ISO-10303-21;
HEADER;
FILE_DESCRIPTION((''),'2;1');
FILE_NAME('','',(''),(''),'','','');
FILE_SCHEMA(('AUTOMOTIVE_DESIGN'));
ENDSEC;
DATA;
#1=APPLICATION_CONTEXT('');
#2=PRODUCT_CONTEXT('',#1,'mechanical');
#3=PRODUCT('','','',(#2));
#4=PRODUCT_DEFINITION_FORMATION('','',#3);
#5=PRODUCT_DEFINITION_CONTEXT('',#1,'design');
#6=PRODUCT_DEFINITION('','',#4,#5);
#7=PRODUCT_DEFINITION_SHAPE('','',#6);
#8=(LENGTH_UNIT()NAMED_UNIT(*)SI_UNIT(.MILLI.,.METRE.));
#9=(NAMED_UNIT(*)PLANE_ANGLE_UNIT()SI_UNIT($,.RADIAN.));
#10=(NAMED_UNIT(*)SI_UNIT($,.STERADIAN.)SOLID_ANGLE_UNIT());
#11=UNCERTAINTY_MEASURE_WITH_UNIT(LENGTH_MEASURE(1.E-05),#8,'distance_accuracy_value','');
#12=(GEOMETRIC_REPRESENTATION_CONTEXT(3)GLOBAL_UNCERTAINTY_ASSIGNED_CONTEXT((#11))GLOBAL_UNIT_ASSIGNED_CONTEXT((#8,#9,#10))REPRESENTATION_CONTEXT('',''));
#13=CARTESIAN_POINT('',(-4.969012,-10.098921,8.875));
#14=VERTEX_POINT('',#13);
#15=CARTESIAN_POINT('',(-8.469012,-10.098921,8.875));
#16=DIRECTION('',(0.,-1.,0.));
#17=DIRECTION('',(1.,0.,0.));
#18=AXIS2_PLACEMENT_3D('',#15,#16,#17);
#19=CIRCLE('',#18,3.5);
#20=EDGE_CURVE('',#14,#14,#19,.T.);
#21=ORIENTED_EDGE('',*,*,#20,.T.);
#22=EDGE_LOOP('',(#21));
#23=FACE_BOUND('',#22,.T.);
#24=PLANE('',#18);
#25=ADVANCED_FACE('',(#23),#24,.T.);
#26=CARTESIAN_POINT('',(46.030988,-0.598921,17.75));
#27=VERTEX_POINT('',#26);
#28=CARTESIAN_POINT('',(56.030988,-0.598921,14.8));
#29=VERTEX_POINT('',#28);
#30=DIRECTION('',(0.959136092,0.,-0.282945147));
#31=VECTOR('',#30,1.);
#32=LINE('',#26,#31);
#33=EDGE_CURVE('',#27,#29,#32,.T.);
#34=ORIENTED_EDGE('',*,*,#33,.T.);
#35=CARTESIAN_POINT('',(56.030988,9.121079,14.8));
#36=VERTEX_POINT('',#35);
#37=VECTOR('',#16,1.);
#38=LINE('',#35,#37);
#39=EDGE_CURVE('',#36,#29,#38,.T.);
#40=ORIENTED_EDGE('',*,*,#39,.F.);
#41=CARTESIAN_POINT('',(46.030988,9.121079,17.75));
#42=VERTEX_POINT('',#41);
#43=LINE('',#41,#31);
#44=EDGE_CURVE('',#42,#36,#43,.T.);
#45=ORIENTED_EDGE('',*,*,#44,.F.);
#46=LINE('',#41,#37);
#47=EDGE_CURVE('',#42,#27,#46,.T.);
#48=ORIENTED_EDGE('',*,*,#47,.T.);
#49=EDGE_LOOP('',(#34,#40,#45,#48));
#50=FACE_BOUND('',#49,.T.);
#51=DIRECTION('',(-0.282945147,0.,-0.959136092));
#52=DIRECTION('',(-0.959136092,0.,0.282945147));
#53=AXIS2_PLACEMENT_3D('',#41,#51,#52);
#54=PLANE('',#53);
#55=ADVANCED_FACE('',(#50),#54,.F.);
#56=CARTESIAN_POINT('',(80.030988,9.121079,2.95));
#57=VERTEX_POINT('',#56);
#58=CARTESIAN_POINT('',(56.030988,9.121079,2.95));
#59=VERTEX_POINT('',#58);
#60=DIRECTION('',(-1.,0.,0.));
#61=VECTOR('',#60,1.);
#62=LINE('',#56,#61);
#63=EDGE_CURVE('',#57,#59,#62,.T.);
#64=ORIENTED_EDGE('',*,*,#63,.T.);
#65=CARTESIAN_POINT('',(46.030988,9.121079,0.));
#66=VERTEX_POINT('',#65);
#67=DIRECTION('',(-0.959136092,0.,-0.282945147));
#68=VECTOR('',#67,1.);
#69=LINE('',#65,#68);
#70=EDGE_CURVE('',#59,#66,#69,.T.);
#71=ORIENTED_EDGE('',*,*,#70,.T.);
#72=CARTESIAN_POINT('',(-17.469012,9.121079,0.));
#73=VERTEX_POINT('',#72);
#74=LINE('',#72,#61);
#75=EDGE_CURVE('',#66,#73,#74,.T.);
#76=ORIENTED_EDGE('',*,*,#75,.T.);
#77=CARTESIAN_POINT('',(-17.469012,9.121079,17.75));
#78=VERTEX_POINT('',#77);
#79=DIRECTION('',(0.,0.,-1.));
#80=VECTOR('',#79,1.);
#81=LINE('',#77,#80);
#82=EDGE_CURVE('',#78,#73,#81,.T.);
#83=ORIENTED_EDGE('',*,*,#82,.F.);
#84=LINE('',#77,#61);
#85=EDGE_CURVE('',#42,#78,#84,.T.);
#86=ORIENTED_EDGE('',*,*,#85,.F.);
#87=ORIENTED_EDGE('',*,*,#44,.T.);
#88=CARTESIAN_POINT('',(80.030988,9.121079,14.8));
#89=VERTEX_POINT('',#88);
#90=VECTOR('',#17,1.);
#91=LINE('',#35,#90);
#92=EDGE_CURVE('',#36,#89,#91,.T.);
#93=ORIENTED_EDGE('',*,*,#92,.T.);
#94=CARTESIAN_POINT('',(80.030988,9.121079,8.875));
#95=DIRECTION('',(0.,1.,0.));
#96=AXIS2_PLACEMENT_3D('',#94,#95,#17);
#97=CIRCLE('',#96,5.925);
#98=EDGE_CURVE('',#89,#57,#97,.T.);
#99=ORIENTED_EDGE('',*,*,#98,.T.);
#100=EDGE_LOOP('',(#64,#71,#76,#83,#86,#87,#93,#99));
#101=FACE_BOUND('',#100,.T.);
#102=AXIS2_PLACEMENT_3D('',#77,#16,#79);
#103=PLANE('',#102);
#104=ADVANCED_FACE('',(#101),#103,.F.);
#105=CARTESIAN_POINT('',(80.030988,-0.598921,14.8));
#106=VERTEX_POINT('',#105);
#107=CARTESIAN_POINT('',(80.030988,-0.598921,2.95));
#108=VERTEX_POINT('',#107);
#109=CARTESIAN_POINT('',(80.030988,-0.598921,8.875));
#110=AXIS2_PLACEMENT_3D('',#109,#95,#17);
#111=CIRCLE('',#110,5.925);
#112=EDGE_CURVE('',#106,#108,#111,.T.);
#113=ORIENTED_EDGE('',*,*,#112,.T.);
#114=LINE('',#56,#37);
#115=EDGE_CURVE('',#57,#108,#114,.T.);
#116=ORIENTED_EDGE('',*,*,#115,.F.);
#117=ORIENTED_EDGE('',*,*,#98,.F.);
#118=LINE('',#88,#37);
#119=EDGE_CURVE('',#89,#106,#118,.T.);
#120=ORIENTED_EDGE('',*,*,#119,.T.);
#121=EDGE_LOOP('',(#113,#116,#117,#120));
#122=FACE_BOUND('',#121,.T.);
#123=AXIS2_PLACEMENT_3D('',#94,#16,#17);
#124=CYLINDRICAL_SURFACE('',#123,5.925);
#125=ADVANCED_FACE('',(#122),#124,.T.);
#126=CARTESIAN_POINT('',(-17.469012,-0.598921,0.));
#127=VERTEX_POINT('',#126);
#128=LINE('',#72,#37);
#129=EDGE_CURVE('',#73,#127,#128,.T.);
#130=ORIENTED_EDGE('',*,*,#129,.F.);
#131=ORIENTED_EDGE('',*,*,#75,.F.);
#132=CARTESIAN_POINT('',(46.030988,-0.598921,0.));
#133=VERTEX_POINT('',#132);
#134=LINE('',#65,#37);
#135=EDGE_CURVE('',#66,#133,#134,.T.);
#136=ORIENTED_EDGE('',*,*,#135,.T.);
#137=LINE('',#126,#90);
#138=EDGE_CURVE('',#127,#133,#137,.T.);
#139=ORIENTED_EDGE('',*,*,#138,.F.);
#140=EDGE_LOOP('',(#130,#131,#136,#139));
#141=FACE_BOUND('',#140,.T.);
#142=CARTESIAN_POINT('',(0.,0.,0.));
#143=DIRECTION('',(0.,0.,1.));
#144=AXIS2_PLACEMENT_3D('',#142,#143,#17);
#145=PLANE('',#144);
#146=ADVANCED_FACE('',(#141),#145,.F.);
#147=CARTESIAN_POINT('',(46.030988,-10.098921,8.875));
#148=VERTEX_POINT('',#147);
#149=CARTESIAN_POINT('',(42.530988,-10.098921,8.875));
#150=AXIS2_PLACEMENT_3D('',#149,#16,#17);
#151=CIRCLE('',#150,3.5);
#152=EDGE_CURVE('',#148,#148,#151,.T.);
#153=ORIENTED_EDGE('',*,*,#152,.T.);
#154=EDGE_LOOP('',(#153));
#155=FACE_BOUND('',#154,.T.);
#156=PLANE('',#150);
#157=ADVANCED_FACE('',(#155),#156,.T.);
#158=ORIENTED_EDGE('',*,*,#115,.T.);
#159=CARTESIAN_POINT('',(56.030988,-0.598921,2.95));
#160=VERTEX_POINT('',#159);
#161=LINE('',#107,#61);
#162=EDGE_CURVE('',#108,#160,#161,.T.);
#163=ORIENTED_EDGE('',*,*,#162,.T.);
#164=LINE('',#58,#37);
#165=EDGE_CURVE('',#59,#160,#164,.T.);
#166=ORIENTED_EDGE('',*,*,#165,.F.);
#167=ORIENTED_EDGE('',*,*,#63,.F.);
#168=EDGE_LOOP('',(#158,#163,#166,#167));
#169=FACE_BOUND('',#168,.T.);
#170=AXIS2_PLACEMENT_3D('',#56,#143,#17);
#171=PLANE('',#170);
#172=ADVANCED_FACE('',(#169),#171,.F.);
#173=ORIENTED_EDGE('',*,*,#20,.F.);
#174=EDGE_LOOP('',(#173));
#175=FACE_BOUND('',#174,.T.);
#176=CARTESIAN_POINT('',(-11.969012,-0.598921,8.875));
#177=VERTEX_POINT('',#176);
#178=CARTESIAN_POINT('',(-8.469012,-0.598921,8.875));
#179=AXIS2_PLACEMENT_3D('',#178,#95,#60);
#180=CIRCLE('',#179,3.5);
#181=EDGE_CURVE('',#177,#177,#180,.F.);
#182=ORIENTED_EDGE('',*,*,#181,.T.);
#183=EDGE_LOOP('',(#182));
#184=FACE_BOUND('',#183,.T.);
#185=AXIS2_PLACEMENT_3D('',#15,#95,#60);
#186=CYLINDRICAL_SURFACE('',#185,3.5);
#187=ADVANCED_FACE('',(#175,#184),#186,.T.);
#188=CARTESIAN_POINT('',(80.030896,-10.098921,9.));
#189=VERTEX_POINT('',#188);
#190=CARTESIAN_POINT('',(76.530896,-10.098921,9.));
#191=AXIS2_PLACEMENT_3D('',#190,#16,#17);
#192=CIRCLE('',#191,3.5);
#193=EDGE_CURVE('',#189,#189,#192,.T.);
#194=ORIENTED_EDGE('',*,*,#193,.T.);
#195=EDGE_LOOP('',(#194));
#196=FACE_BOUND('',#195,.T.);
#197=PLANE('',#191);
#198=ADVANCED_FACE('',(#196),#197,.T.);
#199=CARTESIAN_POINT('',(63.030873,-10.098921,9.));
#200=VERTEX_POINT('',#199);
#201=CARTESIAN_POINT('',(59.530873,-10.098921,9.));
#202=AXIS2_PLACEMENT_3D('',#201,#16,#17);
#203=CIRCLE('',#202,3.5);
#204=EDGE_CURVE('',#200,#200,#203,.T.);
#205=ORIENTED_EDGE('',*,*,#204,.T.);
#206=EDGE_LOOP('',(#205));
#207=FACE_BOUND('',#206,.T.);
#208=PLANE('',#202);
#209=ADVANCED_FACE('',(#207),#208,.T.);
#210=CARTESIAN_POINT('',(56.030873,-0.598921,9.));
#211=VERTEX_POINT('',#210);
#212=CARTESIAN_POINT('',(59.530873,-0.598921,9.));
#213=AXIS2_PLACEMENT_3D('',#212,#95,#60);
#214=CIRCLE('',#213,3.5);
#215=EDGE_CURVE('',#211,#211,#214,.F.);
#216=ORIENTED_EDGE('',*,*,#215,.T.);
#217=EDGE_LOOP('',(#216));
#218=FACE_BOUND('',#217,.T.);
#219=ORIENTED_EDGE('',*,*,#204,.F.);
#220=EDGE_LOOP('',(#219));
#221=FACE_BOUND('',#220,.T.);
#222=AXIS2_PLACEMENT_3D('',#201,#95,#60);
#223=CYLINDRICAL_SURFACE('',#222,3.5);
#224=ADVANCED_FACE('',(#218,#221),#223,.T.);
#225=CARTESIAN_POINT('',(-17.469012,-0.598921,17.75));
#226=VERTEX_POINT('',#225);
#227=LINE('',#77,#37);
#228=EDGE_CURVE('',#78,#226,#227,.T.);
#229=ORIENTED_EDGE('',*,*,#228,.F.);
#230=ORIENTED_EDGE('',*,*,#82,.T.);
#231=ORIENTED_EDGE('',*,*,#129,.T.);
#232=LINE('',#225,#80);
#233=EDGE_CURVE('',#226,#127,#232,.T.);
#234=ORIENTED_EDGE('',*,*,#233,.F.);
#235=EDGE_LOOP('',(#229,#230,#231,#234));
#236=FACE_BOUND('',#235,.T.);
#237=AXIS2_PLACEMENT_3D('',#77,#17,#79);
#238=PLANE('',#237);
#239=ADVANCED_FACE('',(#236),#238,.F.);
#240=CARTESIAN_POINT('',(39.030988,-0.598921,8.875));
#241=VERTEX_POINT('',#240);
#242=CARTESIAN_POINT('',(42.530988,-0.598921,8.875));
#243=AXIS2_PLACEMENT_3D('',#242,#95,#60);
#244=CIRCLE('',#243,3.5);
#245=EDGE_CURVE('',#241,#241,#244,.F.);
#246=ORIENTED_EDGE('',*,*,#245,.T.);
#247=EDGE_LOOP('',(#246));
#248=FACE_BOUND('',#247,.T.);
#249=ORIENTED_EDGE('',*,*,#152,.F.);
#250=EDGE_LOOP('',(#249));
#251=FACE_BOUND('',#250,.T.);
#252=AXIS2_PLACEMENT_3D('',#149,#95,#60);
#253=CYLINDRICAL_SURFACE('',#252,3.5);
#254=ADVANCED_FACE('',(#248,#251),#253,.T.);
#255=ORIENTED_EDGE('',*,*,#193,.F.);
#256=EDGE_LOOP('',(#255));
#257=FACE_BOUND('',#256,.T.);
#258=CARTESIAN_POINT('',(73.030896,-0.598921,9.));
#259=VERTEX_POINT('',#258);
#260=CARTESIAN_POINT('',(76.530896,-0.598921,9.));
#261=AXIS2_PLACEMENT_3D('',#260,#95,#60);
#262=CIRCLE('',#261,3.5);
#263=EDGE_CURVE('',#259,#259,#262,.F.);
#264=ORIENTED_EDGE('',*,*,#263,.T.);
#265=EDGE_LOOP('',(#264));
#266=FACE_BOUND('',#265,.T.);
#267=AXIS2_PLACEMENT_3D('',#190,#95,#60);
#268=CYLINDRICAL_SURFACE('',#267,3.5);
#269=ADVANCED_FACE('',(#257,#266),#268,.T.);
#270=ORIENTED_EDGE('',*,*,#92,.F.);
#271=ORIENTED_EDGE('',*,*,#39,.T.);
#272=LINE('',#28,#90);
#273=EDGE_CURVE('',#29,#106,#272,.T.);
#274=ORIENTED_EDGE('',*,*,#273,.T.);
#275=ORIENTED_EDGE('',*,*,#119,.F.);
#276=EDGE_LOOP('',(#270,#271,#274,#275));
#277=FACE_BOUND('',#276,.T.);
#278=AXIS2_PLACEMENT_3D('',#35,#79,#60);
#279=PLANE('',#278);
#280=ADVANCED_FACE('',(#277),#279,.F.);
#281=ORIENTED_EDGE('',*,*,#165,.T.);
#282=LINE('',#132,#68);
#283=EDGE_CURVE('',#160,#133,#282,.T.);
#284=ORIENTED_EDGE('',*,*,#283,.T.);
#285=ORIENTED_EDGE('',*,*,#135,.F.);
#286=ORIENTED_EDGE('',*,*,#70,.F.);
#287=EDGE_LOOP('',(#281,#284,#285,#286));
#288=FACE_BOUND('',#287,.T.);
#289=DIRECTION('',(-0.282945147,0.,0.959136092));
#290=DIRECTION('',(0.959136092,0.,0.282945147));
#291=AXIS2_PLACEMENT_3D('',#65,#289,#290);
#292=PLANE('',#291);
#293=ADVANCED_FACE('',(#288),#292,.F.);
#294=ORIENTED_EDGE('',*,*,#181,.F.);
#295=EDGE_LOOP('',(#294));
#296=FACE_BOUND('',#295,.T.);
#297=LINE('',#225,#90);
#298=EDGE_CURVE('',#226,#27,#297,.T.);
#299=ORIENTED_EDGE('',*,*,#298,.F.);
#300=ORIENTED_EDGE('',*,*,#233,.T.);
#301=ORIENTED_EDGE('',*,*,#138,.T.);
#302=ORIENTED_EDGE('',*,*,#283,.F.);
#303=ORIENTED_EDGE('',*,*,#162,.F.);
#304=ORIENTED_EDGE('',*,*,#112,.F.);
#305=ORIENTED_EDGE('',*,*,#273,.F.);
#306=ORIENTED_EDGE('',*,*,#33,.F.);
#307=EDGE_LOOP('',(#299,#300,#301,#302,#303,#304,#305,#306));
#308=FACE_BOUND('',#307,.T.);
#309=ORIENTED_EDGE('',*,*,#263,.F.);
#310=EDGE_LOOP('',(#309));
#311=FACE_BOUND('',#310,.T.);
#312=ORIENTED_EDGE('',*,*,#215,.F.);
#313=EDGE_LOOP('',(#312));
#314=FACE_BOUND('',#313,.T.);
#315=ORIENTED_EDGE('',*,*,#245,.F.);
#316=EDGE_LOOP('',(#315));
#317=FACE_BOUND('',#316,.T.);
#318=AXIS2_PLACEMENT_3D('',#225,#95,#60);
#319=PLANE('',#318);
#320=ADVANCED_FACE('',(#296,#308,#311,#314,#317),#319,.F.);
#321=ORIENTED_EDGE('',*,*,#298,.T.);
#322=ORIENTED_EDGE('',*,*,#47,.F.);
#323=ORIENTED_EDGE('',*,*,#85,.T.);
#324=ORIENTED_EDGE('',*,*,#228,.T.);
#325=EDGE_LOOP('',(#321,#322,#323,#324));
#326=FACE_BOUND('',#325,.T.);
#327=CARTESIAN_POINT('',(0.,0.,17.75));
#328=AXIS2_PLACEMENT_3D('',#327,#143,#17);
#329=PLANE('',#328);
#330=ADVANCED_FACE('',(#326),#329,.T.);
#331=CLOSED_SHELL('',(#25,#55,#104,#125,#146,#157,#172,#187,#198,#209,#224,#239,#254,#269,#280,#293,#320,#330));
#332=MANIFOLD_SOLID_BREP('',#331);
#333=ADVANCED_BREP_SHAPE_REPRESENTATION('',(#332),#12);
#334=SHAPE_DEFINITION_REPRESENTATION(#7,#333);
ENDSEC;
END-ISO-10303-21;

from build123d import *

# Parameters (mm, degrees)
SKETCH1_W           = 104
SKETCH1_H           = 9.72
BODY_DEPTH          = 17.75
FRONT_CUT_OUT_DEPTH = 89.865925518
SKETCH4_R           = 3.5
BOSS_EXTRUDE2_DEPTH = 9.5


with BuildPart() as part:
    # Sketch1 → body (new body)
    with BuildSketch(Plane.XY):
        with Locations((34.530987618, 4.261078665)):
            Rectangle(SKETCH1_W, SKETCH1_H)
    extrude(amount=BODY_DEPTH)

    # Sketch2 → front_cut_out (cut, through all)
    with BuildSketch(Plane.XZ.offset(0.598921335)):
        with BuildLine():
            Line((46.030987618, 17.75), (56.030987618, 14.8))
            Line((56.030987618, 14.8), (80.030987618, 14.8))
            ThreePointArc((80.030987618, 14.8), (85.955987618, 8.875), (80.030987618, 2.95))
            Line((80.030987618, 2.95), (56.030987618, 2.95))
            Line((56.030987618, 2.95), (46.030987618, 0))
            Line((46.030987618, 0), (86.530987618, 0))
            Line((86.530987618, 0), (86.530987618, 17.75))
            Line((86.530987618, 17.75), (46.030987618, 17.75))
        make_face()
    extrude(amount=-FRONT_CUT_OUT_DEPTH, mode=Mode.SUBTRACT)

    # Sketch4 → Boss-Extrude2 (add)
    with BuildSketch(Plane.XZ.offset(0.598921335)):
        with Locations(Location((-8.469012382, 8.875, 0), (0, 0, 180))):
            Circle(SKETCH4_R)
        with Locations(Location((42.530987618, 8.875, 0), (0, 0, 180))):
            Circle(SKETCH4_R)
        with Locations(Location((59.530872729, 9, 0), (0, 0, 180))):
            Circle(SKETCH4_R)
        with Locations(Location((76.530895707, 9, 0), (0, 0, 180))):
            Circle(SKETCH4_R)
    extrude(amount=BOSS_EXTRUDE2_DEPTH)


solid = part.part
